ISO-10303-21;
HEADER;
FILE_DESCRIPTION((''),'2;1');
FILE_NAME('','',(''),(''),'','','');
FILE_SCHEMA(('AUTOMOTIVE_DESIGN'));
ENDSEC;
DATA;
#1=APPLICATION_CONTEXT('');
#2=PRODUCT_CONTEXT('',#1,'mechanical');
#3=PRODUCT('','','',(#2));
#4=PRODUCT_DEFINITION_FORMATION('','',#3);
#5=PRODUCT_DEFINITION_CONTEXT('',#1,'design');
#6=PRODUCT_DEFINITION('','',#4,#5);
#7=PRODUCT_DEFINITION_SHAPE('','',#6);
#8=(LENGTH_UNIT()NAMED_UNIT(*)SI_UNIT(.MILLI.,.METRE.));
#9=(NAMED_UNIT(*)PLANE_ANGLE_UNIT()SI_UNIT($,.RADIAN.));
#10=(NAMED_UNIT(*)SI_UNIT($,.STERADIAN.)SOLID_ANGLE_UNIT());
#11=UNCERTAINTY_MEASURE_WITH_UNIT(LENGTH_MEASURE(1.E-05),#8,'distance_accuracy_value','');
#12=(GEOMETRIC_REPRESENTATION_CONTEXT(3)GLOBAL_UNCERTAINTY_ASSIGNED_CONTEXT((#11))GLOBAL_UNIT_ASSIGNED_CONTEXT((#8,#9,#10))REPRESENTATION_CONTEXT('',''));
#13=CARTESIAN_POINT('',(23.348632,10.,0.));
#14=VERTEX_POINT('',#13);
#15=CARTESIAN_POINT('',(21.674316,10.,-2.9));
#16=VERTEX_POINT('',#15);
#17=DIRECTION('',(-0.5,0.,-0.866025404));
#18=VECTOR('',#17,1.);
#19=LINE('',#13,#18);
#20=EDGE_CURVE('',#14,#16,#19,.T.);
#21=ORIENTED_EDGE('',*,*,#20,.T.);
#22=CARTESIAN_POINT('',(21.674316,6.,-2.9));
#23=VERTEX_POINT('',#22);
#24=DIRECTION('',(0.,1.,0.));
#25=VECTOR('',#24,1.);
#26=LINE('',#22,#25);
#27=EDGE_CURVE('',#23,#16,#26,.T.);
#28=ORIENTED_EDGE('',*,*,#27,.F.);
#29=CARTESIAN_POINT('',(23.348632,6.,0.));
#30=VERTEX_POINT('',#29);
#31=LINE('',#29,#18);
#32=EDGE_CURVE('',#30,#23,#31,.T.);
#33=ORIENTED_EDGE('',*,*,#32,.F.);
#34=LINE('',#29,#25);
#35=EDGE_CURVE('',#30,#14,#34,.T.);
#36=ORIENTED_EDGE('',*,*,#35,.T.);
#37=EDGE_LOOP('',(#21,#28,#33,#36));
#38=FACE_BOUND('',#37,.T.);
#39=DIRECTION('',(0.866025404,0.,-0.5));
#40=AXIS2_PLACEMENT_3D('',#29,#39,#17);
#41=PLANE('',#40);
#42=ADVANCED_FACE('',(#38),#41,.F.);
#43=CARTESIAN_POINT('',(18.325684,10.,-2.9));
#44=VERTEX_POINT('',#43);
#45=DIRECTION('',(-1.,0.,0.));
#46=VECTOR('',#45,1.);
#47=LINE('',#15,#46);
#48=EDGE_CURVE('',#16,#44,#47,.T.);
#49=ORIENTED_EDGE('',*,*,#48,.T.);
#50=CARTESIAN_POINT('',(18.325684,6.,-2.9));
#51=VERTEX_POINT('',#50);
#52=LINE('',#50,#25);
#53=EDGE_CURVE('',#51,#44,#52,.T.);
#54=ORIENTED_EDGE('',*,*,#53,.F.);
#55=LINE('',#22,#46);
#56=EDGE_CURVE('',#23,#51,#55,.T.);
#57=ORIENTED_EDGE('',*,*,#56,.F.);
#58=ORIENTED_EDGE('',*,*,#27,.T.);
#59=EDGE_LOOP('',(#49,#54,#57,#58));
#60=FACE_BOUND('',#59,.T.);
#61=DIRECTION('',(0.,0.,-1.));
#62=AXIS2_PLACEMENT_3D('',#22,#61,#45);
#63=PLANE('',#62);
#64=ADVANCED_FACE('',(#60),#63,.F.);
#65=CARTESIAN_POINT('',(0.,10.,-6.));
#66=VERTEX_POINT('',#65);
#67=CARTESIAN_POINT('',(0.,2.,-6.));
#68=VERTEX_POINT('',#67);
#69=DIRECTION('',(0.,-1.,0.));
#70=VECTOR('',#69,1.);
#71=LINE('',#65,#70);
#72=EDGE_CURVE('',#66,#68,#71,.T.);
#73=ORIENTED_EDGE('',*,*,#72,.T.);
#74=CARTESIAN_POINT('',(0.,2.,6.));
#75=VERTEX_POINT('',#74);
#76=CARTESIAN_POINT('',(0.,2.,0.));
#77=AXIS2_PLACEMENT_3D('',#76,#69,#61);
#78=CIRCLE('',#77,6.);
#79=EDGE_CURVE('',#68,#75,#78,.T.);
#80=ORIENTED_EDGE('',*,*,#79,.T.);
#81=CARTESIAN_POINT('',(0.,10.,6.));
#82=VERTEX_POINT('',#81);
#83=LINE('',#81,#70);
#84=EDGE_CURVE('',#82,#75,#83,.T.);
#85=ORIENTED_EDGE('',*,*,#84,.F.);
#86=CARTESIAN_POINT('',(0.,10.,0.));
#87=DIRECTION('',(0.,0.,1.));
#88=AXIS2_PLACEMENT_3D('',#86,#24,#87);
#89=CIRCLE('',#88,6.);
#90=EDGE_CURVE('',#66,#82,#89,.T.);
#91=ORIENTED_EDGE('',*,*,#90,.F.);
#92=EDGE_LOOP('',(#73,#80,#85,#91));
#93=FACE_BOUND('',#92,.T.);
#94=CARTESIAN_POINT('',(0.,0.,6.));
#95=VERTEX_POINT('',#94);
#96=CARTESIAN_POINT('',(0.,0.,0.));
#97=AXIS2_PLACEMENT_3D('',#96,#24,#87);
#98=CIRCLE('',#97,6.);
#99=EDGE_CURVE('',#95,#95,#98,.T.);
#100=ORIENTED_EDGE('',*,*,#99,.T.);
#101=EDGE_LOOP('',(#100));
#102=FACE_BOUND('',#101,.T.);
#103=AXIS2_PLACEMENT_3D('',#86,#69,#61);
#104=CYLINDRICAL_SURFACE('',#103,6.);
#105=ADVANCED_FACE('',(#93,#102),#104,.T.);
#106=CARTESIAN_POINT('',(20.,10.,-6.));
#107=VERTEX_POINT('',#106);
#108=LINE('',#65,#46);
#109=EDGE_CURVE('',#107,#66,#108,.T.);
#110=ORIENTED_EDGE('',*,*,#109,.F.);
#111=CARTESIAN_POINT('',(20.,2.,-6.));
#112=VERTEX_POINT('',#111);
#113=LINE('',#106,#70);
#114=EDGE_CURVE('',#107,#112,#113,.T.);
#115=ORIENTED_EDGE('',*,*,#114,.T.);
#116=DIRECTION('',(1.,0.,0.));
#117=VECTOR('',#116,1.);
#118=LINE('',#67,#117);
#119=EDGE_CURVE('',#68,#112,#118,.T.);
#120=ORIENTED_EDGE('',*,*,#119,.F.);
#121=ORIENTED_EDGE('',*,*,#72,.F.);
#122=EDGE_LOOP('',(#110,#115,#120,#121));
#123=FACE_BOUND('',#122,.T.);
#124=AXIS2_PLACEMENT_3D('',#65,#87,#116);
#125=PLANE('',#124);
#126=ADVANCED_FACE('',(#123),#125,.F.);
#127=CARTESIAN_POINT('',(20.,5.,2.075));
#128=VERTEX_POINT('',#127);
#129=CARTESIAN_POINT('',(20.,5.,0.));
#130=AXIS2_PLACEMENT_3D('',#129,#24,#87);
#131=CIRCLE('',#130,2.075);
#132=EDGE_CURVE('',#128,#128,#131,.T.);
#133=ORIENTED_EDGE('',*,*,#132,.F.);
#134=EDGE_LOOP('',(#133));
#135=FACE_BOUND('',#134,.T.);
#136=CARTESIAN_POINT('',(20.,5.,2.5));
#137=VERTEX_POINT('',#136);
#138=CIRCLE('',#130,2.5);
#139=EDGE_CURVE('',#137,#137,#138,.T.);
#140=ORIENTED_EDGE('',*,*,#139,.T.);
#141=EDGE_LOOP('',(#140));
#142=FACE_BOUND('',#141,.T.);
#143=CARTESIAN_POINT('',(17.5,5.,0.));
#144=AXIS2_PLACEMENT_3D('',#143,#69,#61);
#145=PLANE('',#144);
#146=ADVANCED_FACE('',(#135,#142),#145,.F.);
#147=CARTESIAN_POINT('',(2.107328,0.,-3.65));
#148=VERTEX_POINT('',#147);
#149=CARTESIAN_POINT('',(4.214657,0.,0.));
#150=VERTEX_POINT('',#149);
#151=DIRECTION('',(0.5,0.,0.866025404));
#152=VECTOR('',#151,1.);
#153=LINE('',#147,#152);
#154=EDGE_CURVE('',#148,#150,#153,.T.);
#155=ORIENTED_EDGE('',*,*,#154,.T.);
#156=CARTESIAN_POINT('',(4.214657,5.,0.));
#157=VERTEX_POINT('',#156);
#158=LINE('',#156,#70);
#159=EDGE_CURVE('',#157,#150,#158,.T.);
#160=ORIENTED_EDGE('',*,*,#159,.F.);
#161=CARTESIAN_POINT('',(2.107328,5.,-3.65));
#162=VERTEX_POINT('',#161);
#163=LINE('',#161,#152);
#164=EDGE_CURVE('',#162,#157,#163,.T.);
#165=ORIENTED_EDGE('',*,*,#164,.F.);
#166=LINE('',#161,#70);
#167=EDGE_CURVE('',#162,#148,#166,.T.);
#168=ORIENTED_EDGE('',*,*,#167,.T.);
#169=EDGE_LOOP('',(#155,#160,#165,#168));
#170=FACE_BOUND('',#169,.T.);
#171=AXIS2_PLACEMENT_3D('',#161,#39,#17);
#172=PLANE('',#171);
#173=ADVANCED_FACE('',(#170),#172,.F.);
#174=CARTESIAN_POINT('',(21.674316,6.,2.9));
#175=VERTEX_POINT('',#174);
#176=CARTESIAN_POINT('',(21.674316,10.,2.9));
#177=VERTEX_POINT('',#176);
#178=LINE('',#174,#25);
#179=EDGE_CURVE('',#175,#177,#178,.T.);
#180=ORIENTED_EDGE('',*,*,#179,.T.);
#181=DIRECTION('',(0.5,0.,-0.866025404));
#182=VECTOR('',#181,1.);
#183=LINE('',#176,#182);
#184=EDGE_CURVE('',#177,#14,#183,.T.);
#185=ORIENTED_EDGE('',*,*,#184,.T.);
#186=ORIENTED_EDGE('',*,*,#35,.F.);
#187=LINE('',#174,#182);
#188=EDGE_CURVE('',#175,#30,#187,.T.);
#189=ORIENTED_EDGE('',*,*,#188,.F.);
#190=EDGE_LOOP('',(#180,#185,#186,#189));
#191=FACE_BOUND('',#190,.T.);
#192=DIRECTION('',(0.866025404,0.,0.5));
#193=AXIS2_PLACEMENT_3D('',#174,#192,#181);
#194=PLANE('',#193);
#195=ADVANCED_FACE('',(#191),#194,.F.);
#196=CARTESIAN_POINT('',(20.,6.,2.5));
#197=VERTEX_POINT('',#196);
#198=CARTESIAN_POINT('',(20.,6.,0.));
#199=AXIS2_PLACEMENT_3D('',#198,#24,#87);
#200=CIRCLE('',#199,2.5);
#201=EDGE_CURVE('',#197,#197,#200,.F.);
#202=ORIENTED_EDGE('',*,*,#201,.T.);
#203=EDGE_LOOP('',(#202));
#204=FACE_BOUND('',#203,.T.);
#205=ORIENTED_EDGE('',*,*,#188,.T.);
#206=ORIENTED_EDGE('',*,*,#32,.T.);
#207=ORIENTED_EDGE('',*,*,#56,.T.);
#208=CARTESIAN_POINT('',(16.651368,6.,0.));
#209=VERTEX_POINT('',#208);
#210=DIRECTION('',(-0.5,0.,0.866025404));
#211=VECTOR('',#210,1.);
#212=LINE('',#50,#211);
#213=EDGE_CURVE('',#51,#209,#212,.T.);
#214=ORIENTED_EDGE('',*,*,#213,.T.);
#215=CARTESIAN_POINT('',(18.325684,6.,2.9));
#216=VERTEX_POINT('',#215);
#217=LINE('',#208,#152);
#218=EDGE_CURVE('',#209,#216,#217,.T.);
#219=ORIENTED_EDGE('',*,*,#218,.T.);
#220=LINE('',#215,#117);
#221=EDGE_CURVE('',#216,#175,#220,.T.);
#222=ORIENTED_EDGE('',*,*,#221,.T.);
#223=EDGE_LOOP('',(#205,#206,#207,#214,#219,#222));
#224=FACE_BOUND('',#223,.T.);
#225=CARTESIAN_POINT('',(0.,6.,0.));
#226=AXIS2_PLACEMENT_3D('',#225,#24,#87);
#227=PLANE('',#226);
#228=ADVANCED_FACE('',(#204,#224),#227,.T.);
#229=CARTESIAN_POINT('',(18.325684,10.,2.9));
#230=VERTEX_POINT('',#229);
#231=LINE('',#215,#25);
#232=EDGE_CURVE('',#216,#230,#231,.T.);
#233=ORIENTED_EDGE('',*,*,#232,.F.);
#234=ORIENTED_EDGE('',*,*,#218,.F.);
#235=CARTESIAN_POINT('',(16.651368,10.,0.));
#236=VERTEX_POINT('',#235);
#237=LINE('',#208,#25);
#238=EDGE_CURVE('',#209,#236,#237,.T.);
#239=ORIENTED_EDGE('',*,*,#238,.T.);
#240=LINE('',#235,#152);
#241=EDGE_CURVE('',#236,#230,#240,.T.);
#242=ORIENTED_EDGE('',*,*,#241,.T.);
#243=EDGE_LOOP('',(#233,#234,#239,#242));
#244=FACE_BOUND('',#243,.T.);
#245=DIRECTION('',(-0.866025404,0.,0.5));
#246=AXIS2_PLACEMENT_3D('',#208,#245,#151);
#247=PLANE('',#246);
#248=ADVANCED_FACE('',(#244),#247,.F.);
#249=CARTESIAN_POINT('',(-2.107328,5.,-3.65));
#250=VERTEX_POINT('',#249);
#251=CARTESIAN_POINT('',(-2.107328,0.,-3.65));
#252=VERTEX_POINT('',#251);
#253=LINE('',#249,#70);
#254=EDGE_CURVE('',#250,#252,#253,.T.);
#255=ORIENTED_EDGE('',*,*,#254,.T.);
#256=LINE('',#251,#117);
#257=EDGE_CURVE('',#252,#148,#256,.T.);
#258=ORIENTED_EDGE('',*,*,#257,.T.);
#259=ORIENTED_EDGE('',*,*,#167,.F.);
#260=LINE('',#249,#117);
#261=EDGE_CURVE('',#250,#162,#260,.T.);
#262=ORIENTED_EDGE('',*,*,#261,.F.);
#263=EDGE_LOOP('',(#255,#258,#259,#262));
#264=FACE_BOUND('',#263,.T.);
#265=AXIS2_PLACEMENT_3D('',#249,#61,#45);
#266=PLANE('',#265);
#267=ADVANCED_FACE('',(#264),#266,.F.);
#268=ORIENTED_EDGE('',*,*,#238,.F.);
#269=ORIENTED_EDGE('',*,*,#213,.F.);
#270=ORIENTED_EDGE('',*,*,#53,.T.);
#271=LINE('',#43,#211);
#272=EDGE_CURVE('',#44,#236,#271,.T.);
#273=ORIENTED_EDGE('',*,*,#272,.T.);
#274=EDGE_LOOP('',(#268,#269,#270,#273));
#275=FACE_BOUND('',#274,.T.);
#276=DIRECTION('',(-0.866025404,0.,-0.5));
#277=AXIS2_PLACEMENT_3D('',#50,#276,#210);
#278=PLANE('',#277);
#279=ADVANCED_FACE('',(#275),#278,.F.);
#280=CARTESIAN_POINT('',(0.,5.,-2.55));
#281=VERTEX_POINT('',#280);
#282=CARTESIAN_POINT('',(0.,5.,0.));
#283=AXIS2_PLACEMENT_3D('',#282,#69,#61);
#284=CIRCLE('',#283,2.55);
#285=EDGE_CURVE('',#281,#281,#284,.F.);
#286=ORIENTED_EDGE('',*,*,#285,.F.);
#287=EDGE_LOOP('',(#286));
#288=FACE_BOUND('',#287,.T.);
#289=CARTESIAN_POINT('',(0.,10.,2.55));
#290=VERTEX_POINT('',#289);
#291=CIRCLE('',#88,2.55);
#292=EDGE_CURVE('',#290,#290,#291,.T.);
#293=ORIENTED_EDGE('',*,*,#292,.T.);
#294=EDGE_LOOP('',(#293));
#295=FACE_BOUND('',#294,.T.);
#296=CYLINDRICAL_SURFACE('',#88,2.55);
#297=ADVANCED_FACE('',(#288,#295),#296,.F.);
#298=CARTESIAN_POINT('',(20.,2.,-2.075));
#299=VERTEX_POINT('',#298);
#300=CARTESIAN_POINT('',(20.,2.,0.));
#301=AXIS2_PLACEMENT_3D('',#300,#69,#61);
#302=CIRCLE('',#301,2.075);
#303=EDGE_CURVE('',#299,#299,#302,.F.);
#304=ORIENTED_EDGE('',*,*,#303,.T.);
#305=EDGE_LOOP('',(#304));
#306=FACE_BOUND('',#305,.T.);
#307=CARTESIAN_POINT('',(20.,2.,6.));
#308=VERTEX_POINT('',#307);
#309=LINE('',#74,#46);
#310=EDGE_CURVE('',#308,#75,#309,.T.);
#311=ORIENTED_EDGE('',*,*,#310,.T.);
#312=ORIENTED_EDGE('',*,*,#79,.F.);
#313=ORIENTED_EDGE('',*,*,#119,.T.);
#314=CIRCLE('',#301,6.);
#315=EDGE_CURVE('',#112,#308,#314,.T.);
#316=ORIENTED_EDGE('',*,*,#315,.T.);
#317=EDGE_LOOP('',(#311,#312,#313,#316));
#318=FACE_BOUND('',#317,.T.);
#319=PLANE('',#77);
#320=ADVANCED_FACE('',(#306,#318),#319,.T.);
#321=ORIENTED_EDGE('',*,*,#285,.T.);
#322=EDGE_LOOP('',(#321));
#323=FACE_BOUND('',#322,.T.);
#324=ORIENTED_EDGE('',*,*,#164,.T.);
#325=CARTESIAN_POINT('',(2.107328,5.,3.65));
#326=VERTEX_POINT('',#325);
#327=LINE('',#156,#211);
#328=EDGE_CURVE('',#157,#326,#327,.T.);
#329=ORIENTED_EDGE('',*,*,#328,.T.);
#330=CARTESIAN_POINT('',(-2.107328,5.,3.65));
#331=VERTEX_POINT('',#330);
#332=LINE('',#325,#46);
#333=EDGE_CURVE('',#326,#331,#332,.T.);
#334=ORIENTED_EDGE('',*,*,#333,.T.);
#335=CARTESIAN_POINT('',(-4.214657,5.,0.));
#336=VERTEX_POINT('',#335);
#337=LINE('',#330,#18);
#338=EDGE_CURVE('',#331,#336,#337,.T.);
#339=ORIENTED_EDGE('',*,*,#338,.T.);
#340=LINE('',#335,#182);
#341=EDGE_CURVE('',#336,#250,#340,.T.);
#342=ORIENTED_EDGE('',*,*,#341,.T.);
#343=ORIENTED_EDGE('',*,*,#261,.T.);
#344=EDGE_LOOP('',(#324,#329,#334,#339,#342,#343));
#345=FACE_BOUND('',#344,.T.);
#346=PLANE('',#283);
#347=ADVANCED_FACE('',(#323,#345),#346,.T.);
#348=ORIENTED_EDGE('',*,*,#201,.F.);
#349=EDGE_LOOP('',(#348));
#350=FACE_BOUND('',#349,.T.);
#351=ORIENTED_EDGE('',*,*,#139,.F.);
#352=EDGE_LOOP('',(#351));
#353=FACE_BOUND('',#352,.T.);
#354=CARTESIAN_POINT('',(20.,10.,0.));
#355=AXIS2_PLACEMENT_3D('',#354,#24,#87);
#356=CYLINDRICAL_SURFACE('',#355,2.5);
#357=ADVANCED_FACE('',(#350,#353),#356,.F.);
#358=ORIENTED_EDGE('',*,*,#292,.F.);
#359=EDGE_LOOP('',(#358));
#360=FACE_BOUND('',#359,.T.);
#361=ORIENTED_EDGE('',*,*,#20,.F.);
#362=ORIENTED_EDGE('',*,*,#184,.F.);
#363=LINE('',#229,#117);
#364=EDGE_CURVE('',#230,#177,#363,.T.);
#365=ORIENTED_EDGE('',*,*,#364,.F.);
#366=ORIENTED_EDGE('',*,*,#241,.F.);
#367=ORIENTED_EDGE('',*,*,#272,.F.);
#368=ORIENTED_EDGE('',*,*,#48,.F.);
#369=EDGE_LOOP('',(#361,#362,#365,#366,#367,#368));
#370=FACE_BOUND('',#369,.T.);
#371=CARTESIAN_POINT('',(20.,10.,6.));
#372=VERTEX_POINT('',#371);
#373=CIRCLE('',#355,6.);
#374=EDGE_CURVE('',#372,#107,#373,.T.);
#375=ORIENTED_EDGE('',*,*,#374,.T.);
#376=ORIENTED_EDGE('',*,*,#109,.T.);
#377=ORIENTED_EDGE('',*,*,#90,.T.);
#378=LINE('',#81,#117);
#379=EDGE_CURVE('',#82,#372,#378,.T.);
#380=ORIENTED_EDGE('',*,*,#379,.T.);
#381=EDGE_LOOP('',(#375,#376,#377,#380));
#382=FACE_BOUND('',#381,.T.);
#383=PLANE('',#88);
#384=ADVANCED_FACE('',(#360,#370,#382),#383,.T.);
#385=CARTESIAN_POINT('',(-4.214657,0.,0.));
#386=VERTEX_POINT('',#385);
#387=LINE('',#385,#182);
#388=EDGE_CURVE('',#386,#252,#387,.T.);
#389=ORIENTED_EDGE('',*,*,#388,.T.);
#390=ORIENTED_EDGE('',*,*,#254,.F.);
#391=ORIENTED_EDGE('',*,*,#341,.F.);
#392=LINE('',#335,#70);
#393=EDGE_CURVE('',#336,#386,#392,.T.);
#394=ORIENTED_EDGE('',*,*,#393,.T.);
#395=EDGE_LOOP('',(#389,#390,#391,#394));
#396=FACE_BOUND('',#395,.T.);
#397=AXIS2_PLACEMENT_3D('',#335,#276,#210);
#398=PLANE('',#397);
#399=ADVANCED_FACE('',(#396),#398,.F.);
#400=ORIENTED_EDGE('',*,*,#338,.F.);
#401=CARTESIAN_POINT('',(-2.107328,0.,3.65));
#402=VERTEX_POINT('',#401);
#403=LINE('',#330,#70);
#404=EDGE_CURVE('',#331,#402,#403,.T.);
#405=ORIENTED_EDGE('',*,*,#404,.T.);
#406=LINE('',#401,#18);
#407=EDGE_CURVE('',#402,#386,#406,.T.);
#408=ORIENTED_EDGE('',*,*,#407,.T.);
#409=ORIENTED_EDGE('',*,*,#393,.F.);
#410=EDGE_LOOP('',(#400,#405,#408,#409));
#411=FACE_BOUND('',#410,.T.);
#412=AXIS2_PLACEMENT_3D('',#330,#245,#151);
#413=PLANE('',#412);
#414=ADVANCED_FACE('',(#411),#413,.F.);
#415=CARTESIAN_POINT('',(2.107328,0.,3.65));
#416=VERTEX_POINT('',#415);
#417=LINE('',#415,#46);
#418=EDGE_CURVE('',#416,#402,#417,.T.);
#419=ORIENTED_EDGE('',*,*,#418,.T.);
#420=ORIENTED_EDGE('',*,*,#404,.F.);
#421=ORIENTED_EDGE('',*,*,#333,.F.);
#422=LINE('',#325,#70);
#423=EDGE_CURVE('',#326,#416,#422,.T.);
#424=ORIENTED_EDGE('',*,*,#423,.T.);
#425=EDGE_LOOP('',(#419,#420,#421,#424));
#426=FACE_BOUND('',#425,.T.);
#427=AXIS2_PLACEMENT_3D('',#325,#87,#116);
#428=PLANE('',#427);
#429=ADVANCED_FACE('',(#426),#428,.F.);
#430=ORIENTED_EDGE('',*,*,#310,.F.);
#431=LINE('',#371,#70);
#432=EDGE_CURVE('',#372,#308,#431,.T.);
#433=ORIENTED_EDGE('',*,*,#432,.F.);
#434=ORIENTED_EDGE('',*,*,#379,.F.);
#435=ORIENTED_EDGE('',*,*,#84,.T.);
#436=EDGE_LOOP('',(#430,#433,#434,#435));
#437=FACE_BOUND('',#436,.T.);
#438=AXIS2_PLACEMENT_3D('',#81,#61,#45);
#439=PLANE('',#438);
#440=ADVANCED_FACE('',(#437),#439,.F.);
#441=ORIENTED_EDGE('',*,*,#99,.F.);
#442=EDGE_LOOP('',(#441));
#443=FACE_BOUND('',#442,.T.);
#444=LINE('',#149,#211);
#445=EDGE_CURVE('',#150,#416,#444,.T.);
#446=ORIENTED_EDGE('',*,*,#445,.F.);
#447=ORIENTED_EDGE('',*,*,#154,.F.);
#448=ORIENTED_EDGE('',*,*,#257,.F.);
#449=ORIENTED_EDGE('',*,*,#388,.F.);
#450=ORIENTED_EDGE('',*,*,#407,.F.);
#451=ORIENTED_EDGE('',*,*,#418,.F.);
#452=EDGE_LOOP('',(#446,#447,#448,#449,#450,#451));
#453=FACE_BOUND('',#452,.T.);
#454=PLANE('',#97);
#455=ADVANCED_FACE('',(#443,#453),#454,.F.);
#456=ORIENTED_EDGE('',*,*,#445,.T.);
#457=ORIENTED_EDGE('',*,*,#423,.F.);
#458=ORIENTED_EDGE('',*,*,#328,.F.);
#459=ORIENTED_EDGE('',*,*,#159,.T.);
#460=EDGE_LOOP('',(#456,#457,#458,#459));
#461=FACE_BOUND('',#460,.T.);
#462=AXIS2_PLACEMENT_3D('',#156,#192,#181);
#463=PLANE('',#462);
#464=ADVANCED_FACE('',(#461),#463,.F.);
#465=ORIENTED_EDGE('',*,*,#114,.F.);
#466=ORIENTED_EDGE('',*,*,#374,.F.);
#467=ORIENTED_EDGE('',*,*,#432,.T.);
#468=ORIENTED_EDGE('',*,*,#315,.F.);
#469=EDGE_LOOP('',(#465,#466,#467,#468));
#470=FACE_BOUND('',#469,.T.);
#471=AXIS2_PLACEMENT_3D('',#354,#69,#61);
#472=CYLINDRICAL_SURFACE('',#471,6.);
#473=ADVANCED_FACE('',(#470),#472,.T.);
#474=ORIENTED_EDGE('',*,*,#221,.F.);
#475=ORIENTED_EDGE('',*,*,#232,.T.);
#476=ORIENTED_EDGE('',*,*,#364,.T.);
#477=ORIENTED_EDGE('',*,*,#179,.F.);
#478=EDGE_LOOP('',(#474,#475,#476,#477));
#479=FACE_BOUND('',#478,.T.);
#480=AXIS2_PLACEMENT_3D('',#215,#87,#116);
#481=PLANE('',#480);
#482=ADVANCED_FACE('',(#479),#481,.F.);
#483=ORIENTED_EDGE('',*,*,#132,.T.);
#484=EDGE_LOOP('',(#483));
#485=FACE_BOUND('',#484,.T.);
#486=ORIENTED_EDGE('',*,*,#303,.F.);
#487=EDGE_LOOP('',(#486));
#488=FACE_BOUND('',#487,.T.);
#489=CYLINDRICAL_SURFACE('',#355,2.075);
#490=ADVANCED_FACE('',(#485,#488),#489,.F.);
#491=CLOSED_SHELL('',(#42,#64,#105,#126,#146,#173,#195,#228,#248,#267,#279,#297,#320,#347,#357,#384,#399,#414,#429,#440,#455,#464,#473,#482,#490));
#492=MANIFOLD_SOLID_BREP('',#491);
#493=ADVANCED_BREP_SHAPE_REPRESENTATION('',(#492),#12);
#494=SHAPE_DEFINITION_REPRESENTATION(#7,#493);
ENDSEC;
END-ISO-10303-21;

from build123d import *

# Parameters (mm, degrees)
EXTRUDE_1_DEPTH     = 10
CUT_EXTRUDE_1_DEPTH = 5
SKETCH_6_R          = 27.317981471
SKETCH_6_R_2        = 6
CUT_EXTRUDE_2_DEPTH = 2
CUT_EXTRUDE_3_DEPTH = 4


with BuildPart() as part:
    # 草图1 → 凸台-拉伸1 (new body)
    with BuildSketch(Plane(origin=(0, 0, 0), x_dir=(1, 0, 0), z_dir=(0, 1, 0))):
        with BuildLine():
            Line((0, 6), (20, 6))
            ThreePointArc((20, 6), (26, 0), (20, -6))
            Line((20, -6), (0, -6))
            ThreePointArc((0, -6), (-6, 0), (0, 6))
        make_face()
    extrude(amount=EXTRUDE_1_DEPTH)

    # 草图3 → 切除-旋转2 (revolve, cut)
    with BuildSketch(Plane.XY, mode=Mode.PRIVATE) as cut_revolve_2_sk:
        Polygon((0, 10), (-2.55, 10), (-2.55, 5), (-2.1, 5), (-2.1, 2), (-2.55, 2), (-2.55, 0), (0, 0), align=None)
    revolve(cut_revolve_2_sk.sketch.rotate(Axis((0, 10, 0), (0, -1, 0)), 270), axis=Axis((0, 10, 0), (0, -1, 0)), mode=Mode.SUBTRACT)

    # 草图4 → 切除-旋转3 (revolve, cut)
    with BuildSketch(Plane.XY, mode=Mode.PRIVATE) as cut_revolve_3_sk:
        Polygon((20, 10), (17.5, 10), (17.5, 5), (17.925, 5), (17.925, 0), (20, 0), align=None)
    revolve(cut_revolve_3_sk.sketch.rotate(Axis((20, 10, 0), (0, -1, 0)), 270), axis=Axis((20, 10, 0), (0, -1, 0)), mode=Mode.SUBTRACT)

    # 草图5 → 切除-拉伸1 (cut)
    with BuildSketch(Plane.XZ):
        Polygon((-4.214656965, 0), (-2.107328483, -3.65), (2.107328483, -3.65), (4.214656965, 0), (2.107328483, 3.65), (-2.107328483, 3.65), align=None)
    extrude(amount=-CUT_EXTRUDE_1_DEPTH, mode=Mode.SUBTRACT)

    # 草图6 → 切除-拉伸2 (cut)
    with BuildSketch(Plane.XZ):
        Circle(SKETCH_6_R)
        with Locations(Location((0, 0, 0), (0, 0, 90))):
            Circle(SKETCH_6_R_2, mode=Mode.SUBTRACT)
    extrude(amount=-CUT_EXTRUDE_2_DEPTH, mode=Mode.SUBTRACT)

    # 草图7 → 切除-拉伸3 (cut)
    with BuildSketch(Plane(origin=(0, 10, 0), x_dir=(1, 0, 0), z_dir=(0, 1, 0))):
        Polygon((18.325684219, 2.9), (16.651368439, 0), (18.325684219, -2.9), (21.674315781, -2.9), (23.348631561, 0), (21.674315781, 2.9), align=None)
    extrude(amount=-CUT_EXTRUDE_3_DEPTH, mode=Mode.SUBTRACT)


solid = part.part
